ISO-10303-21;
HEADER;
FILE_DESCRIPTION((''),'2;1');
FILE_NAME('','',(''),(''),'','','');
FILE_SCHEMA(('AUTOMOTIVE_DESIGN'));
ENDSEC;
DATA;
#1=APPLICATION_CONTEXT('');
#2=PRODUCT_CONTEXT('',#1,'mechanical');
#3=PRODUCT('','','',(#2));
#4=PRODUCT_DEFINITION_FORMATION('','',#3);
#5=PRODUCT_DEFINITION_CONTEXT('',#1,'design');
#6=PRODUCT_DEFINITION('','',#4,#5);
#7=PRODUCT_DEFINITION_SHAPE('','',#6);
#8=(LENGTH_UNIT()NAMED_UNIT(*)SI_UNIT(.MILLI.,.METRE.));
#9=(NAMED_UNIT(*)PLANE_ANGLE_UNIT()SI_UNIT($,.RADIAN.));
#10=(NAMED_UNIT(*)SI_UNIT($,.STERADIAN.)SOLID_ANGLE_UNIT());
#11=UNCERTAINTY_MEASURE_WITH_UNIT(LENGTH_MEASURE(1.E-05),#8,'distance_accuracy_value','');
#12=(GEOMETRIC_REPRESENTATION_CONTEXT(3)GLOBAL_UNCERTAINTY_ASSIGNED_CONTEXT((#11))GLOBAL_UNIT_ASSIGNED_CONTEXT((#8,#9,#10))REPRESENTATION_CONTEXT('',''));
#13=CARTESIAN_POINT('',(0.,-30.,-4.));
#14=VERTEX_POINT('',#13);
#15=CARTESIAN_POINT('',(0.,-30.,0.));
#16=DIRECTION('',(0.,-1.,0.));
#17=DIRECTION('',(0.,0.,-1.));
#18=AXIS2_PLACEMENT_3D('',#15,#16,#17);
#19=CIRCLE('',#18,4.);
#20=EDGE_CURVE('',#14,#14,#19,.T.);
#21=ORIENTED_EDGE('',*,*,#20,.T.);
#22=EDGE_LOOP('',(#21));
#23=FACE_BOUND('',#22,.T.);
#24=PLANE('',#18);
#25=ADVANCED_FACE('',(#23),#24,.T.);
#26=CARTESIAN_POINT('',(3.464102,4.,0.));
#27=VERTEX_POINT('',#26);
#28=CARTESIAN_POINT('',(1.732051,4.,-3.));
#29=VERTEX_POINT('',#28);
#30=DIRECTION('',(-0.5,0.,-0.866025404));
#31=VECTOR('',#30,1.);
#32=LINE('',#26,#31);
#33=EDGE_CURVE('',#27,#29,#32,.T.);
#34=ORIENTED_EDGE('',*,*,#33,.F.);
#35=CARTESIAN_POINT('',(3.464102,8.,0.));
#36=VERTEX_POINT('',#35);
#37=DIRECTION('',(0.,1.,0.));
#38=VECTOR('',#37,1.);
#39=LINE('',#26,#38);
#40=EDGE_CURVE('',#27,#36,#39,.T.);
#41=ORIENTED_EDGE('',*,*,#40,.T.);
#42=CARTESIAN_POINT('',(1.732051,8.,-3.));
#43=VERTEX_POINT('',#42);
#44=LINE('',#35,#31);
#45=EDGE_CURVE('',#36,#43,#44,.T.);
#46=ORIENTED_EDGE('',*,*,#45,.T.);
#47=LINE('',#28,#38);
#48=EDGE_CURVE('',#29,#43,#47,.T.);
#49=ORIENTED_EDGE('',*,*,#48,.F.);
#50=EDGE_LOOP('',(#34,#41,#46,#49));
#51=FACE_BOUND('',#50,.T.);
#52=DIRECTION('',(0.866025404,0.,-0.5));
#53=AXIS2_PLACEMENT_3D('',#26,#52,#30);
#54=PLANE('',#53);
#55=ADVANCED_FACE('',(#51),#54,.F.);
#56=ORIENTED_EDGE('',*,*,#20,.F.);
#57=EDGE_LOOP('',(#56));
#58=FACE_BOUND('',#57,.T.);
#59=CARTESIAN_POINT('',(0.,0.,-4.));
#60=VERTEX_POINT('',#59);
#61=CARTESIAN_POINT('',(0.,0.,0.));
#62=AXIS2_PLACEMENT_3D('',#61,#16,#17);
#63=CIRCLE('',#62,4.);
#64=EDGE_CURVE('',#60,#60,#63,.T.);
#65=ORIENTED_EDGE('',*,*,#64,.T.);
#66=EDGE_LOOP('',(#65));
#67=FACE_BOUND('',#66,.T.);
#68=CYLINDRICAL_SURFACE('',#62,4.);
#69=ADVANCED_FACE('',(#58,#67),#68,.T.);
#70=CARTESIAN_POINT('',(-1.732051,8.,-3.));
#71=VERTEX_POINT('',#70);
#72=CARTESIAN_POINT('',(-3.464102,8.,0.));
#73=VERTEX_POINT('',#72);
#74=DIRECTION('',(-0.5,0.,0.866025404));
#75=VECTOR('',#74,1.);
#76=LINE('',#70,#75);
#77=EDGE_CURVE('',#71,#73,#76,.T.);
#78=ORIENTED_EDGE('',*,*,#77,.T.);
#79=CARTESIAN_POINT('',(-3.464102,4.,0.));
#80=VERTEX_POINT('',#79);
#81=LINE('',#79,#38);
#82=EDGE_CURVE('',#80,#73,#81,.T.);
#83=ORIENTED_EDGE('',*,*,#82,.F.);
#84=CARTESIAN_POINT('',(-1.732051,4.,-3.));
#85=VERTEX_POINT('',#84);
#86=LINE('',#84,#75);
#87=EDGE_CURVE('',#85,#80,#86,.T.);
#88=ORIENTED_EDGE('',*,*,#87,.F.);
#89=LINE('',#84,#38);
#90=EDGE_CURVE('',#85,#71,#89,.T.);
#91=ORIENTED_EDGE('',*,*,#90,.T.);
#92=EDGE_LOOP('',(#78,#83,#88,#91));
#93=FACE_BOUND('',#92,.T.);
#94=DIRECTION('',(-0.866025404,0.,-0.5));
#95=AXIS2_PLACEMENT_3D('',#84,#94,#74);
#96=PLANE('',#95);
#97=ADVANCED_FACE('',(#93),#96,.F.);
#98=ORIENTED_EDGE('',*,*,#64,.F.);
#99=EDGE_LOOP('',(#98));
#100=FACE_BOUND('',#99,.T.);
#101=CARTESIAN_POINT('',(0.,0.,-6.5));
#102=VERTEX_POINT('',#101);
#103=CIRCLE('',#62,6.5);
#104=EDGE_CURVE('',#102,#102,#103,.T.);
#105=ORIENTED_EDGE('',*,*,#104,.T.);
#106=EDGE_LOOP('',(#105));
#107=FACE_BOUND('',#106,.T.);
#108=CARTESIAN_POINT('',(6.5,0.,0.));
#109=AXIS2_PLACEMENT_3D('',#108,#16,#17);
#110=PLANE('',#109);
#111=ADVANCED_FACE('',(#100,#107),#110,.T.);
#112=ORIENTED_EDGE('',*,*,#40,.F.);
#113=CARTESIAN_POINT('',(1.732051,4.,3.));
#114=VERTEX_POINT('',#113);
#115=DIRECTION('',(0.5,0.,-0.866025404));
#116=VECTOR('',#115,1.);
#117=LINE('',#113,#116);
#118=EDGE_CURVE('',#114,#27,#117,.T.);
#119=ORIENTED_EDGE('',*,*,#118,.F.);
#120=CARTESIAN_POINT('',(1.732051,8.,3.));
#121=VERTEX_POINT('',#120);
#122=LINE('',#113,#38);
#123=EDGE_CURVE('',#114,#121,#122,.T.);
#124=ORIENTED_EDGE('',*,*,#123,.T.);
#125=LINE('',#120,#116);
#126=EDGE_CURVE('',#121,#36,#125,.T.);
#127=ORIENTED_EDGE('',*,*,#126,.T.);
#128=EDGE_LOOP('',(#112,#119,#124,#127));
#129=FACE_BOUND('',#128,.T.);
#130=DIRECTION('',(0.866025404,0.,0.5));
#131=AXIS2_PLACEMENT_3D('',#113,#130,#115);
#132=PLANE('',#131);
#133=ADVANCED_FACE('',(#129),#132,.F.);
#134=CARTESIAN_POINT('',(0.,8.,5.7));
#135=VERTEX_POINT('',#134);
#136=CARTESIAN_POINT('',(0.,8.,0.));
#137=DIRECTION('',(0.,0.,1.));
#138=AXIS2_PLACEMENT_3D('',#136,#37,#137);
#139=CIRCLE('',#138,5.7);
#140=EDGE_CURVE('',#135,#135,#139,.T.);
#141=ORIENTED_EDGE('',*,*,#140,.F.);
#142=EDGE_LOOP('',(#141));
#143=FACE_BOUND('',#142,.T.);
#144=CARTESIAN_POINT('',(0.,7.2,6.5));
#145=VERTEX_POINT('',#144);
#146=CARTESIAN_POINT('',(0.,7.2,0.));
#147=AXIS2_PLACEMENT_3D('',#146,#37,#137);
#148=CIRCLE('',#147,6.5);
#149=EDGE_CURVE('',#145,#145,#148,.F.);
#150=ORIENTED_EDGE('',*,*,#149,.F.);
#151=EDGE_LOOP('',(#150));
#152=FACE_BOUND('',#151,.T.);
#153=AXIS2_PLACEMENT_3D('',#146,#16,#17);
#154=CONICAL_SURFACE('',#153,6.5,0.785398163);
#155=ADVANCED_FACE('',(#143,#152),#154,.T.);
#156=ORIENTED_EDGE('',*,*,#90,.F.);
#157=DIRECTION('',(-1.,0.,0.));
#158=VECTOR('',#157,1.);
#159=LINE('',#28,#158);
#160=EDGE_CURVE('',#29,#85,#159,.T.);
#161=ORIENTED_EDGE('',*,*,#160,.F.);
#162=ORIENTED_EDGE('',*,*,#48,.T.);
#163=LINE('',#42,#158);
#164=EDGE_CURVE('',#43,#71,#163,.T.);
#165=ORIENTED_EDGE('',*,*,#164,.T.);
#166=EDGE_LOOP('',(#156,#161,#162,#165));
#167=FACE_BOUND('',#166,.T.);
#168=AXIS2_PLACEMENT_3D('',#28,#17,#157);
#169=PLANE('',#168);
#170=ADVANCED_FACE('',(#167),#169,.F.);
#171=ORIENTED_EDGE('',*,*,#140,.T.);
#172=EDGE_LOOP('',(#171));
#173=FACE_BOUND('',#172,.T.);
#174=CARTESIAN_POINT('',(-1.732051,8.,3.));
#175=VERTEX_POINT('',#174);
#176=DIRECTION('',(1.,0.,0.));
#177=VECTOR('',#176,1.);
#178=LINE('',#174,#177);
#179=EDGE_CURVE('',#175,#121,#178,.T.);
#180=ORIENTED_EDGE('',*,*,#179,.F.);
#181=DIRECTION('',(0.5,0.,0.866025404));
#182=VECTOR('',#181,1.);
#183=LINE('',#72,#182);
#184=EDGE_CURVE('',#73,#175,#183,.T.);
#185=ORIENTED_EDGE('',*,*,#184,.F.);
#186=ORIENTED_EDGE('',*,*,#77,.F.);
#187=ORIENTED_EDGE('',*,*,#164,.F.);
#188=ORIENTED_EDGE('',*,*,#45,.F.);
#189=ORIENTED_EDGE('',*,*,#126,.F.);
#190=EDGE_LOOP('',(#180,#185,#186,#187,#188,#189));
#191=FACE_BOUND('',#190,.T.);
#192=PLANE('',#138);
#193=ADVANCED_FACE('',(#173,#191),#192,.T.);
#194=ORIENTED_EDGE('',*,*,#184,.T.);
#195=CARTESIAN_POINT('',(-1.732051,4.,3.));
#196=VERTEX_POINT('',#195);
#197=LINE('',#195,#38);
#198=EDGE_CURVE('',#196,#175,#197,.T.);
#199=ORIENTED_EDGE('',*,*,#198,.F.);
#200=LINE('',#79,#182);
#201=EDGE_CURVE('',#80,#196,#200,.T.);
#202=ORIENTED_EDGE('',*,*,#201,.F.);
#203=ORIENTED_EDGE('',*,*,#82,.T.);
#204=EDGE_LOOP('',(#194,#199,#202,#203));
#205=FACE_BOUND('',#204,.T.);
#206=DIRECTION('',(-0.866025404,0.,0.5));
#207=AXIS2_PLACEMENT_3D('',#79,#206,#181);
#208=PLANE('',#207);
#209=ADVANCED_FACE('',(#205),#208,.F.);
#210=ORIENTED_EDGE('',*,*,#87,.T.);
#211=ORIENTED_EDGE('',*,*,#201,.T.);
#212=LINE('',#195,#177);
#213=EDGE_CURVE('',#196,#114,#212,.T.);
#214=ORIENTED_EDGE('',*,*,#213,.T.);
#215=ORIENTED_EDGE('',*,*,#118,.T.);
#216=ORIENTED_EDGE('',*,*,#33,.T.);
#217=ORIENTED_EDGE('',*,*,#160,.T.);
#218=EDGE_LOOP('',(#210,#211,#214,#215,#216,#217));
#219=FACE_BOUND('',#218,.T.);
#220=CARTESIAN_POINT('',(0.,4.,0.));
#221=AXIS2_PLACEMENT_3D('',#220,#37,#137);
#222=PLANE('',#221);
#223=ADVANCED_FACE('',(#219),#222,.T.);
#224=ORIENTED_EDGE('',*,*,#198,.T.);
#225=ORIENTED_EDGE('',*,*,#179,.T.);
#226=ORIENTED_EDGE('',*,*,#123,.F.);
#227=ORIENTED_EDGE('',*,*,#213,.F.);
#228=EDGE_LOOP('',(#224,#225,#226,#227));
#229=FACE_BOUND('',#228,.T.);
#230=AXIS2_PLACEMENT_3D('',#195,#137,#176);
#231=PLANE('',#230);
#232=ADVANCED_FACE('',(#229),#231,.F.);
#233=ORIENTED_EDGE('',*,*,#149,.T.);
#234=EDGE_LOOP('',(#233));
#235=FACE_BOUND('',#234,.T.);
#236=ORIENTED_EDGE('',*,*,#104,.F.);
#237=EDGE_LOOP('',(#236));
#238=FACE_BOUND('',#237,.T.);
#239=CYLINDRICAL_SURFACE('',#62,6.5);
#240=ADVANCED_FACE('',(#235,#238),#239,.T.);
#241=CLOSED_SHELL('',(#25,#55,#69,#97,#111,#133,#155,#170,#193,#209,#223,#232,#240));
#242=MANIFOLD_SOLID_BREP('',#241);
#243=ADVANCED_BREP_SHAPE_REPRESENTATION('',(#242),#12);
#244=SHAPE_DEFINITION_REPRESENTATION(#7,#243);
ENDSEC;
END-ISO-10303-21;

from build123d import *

# Parameters (mm, degrees)
CUT_EXTRUDE1_DEPTH = 4
CHAMFER1_SIZE      = 0.8


with BuildPart() as part:
    # Sketch1 → Revolve1 (revolve)
    with BuildSketch(Plane.XY):
        Polygon((0, 8), (6.5, 8), (6.5, 0), (4, 0), (4, -30), (0, -30), align=None)
    revolve(axis=Axis((0, 0, 0), (0, 1, 0)))

    # Sketch2 → Cut-Extrude1 (cut)
    with BuildSketch(Plane(origin=(0, 8, 0), x_dir=(1, 0, 0), z_dir=(0, 1, 0))):
        Polygon((3.464101615, 0), (1.732050808, 3), (-1.732050808, 3), (-3.464101615, 0), (-1.732050808, -3), (1.732050808, -3), align=None)
    extrude(amount=-CUT_EXTRUDE1_DEPTH, mode=Mode.SUBTRACT)

    # Chamfer1
    chamfer1_edges = [part.edges().sort_by_distance(p)[0] for p in [
        (-6.5, 8, 0),
    ]]
    chamfer(chamfer1_edges, length=CHAMFER1_SIZE)


solid = part.part
